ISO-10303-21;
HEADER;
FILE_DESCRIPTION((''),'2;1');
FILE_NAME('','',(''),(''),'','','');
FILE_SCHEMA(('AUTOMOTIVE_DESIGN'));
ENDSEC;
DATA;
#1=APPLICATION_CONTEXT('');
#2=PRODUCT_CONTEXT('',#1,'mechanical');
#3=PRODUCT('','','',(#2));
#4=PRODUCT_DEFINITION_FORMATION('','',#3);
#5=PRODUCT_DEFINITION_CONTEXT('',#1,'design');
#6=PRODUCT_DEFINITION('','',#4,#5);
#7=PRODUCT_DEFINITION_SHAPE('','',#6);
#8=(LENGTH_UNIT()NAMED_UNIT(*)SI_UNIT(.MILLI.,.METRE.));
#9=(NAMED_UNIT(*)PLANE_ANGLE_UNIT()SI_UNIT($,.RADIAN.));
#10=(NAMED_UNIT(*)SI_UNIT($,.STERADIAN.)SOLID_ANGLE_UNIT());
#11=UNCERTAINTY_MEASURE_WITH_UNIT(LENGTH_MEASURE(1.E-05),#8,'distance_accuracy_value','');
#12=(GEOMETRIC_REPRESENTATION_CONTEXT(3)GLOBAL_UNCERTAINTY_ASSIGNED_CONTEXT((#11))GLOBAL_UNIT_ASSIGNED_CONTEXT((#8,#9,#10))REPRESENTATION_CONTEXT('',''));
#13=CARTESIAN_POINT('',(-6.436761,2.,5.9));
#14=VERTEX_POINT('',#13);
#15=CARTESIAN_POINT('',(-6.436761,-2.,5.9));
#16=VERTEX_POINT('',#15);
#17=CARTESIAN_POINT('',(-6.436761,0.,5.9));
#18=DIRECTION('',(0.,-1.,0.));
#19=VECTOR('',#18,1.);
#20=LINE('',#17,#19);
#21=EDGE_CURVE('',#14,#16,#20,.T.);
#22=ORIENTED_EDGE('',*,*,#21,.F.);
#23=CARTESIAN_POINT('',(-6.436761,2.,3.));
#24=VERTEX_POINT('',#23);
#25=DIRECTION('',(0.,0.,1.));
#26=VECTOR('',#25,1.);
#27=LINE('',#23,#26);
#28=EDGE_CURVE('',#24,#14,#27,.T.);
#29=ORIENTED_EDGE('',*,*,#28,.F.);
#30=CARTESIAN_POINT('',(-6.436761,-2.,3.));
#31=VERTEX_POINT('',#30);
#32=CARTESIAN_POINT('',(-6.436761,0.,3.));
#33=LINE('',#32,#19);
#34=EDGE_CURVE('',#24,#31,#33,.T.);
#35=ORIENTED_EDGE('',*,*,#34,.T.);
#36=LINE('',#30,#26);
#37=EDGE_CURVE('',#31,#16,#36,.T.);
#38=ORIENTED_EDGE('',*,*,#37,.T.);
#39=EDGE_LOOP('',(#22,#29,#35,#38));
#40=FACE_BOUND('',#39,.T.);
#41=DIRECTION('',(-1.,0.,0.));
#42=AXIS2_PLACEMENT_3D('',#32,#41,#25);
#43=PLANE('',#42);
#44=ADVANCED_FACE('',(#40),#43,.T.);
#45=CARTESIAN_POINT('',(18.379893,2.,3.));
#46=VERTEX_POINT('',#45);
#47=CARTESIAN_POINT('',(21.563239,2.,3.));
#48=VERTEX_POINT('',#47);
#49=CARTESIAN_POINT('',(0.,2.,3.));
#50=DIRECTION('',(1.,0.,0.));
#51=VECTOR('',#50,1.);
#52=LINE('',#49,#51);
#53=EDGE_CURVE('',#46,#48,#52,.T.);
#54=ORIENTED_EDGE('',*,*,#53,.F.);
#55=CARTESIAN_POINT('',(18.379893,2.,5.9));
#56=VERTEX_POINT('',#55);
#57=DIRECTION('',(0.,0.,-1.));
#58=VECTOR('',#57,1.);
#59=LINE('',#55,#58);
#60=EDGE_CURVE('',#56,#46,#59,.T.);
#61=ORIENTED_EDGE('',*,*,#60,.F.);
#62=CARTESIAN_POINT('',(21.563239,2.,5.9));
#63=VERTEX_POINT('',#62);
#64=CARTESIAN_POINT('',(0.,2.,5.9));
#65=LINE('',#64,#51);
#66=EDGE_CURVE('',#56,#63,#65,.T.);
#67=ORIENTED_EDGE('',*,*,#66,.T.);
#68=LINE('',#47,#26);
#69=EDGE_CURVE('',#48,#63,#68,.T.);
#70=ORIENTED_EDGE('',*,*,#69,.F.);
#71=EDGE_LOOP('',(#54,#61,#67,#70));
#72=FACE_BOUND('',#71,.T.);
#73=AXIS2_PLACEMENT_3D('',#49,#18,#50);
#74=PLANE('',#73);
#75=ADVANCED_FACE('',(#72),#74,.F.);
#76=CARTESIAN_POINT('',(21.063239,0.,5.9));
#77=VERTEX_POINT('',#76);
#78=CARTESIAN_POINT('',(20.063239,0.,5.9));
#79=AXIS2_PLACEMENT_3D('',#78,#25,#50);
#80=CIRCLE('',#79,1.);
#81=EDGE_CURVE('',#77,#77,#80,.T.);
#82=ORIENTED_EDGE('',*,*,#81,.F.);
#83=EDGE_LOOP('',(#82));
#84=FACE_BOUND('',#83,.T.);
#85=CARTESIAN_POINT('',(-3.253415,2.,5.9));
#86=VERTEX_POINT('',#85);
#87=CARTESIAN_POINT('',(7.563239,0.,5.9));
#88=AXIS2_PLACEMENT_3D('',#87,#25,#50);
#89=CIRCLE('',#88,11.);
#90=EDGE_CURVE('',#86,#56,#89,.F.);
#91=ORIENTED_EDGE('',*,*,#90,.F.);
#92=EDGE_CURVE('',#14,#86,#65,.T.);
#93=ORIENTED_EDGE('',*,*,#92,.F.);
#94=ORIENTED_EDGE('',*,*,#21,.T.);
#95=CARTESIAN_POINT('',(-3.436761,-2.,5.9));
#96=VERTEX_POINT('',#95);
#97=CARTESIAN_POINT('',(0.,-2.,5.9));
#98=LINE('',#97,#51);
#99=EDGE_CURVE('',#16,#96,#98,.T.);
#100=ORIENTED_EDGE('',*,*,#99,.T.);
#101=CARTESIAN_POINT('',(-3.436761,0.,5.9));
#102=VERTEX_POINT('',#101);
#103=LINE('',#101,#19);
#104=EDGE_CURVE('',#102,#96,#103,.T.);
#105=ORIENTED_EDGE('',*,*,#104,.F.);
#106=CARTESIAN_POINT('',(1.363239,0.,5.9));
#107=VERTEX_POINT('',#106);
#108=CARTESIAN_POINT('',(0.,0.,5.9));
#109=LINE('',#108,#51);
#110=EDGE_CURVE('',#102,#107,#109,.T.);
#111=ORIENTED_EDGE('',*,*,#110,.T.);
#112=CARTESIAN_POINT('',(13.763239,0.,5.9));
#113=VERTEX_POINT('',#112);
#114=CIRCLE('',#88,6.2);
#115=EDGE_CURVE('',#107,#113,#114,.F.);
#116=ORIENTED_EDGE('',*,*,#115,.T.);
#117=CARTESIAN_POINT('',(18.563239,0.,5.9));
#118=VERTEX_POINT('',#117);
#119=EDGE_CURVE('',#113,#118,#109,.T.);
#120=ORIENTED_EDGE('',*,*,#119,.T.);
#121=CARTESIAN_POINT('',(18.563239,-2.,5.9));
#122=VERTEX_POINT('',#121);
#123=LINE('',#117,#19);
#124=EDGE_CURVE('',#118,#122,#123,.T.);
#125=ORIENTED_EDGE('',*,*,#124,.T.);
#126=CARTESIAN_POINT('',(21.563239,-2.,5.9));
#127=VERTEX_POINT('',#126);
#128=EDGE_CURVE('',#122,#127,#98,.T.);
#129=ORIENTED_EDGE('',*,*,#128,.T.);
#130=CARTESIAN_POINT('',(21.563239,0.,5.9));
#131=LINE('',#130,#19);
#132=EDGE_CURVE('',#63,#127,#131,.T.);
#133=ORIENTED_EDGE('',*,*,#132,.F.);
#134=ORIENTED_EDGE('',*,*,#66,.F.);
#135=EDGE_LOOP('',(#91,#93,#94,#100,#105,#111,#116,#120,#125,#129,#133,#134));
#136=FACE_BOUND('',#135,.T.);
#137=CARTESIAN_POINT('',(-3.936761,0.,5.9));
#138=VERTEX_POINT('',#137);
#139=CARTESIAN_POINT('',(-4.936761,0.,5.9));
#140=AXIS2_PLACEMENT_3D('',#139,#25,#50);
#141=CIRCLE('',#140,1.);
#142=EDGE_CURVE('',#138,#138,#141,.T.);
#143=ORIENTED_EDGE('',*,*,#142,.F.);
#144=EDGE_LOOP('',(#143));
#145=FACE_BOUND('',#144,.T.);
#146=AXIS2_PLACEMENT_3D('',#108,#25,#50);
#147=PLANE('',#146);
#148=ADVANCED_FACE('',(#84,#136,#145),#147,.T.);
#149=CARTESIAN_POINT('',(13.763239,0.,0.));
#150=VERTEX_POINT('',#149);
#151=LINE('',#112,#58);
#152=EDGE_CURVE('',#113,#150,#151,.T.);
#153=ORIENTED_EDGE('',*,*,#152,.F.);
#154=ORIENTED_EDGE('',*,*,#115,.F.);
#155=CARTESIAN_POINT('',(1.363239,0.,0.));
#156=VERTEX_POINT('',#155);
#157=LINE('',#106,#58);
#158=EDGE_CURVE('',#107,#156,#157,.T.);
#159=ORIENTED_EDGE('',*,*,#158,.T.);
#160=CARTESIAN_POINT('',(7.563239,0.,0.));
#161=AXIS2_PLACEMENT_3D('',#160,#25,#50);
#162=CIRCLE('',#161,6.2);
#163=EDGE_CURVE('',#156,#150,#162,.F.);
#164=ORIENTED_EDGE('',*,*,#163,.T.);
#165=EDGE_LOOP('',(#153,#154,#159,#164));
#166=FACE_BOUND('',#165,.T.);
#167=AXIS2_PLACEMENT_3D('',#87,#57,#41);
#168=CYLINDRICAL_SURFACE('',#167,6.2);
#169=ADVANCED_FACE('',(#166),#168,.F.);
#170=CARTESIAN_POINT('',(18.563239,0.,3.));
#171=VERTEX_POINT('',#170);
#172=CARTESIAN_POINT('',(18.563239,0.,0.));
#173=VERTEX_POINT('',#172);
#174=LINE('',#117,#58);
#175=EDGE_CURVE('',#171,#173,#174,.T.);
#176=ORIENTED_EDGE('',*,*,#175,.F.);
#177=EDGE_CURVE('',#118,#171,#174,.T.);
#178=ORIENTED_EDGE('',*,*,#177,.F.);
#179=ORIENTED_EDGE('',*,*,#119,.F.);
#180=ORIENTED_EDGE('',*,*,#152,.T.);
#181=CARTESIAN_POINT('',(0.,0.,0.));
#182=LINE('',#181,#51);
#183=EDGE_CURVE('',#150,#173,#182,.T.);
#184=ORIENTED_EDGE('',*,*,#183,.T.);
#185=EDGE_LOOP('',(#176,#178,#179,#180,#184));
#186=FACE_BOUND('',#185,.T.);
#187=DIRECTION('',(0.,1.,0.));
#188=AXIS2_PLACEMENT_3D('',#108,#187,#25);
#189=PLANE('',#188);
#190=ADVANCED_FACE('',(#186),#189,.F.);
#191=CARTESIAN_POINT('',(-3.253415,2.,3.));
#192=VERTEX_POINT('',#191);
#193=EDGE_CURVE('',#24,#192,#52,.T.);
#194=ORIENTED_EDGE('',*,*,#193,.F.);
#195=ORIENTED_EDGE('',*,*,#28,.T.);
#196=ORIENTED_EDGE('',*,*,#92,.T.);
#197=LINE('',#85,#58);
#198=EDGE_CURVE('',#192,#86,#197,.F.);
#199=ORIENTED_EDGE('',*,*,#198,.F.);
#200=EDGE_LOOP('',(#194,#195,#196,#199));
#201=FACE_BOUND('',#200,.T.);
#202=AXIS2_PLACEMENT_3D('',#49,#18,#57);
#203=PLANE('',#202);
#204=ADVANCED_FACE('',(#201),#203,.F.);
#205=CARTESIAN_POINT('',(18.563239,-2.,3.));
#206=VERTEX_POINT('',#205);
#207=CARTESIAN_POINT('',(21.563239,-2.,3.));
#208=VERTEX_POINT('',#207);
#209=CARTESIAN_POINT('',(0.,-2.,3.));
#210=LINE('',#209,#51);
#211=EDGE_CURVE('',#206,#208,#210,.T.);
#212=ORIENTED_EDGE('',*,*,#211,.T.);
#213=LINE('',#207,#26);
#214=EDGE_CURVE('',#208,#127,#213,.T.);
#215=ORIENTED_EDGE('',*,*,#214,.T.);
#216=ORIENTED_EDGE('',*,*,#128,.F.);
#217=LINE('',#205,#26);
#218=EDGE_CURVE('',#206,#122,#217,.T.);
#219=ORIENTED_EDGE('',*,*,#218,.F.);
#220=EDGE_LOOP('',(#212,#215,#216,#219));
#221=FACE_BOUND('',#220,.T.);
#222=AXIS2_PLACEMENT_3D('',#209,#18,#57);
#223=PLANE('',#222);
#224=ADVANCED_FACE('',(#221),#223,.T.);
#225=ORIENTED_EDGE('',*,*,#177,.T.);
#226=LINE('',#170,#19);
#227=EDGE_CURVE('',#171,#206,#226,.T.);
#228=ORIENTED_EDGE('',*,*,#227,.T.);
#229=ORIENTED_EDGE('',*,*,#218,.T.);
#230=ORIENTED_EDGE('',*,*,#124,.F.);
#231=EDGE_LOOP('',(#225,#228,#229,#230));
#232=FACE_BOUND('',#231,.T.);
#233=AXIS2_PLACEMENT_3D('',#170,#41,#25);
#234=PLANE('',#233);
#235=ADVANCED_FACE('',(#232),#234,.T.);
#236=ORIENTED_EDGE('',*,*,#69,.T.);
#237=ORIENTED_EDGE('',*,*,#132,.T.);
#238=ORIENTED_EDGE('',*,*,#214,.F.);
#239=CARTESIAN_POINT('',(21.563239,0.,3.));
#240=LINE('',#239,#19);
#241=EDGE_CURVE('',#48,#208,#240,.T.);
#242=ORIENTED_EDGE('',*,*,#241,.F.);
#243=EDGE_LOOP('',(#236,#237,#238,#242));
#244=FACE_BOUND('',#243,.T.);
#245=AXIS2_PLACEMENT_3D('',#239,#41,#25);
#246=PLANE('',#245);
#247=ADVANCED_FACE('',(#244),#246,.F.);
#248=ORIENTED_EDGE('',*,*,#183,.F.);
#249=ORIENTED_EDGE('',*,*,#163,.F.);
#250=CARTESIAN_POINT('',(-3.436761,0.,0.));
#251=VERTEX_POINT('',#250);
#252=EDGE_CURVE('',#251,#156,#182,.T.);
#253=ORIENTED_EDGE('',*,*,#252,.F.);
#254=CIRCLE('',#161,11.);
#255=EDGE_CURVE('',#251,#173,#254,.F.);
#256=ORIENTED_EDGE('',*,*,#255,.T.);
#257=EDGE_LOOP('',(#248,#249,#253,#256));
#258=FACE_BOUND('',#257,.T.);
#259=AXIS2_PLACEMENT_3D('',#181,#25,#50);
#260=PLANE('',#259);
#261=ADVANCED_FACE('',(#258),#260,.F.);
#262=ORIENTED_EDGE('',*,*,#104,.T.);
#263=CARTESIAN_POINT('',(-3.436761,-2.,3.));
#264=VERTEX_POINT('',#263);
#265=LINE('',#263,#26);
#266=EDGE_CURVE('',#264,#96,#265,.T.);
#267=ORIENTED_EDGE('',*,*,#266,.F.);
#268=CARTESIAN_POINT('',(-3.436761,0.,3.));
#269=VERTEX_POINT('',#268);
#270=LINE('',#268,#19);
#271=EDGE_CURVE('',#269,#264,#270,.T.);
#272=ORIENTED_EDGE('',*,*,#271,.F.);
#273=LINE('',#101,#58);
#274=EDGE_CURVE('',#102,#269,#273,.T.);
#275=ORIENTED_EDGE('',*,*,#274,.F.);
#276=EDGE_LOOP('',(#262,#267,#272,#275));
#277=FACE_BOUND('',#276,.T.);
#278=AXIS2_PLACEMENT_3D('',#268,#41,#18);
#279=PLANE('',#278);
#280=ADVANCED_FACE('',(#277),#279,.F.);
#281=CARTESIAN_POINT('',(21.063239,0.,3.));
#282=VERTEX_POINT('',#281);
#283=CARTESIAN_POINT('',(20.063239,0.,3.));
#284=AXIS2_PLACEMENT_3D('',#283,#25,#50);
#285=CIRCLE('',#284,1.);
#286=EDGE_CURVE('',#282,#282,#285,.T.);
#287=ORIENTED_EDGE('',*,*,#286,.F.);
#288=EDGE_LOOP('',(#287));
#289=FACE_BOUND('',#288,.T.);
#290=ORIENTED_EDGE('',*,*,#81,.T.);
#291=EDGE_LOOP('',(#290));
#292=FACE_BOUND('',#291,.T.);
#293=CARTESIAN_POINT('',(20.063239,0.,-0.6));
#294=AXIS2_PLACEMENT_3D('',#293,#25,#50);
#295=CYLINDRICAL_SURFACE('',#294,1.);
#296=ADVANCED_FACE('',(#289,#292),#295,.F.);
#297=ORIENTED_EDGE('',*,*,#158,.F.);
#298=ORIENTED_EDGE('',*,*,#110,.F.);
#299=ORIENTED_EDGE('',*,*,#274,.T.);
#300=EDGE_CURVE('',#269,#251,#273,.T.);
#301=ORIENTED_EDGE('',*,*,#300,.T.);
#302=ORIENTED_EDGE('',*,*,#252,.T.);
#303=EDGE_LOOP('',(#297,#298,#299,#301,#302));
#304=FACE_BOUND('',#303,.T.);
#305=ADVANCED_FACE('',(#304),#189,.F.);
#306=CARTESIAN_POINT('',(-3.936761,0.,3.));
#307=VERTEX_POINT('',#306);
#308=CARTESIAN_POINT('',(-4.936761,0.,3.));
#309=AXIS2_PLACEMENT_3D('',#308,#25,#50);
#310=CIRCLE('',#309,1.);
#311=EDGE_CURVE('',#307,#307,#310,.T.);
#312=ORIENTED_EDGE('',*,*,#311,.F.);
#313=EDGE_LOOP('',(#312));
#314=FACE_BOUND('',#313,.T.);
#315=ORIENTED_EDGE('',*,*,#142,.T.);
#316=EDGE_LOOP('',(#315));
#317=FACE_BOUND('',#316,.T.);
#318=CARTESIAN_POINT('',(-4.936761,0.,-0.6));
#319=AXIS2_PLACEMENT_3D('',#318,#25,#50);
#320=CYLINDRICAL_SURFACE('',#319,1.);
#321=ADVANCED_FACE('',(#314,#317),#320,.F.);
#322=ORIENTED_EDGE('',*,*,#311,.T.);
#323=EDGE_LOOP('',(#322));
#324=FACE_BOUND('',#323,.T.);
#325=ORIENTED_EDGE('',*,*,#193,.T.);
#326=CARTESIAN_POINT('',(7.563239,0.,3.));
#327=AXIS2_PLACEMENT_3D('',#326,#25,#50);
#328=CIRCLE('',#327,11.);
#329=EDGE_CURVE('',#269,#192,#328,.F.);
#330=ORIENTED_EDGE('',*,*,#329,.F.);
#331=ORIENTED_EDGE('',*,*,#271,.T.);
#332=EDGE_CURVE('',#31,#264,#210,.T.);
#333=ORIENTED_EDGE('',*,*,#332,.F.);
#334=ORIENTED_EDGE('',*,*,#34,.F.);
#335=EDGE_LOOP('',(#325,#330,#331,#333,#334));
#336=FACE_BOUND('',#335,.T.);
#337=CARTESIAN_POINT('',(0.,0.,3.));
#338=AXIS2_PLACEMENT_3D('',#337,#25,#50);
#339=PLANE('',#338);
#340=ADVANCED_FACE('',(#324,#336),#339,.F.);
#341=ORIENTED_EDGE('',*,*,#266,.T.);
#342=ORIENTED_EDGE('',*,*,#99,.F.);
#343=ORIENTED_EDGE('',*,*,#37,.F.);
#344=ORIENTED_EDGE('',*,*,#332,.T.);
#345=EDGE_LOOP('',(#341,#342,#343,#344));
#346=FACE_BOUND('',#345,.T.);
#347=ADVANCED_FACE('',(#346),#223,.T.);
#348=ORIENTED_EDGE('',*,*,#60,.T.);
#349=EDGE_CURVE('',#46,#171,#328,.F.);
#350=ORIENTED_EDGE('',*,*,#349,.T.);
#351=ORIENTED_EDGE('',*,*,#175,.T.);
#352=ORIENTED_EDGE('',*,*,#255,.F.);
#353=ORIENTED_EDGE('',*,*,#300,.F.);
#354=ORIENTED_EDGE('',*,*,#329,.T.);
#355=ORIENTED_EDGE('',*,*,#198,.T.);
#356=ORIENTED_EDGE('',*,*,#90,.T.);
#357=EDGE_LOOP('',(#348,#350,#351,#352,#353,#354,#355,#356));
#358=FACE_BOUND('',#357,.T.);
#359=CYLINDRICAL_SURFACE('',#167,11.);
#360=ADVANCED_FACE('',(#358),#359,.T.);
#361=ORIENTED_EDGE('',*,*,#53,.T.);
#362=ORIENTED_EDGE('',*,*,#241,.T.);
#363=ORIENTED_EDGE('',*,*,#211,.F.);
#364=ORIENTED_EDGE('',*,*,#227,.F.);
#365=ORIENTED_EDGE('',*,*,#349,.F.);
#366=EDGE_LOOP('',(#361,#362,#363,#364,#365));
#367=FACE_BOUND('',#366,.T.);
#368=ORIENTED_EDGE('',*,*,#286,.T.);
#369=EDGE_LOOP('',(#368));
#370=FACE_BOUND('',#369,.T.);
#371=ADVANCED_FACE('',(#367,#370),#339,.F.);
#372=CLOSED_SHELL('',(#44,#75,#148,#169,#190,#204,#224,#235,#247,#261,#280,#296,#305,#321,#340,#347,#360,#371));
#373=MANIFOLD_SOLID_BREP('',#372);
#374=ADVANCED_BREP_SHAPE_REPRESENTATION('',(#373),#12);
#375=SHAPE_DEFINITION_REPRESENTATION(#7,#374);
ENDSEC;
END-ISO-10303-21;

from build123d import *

# Parameters (mm, degrees)
RESSALTO_EXTRUS_O1_DEPTH = 5.9
RESSALTO_EXTRUS_O2_DEPTH = 2.9
ESBO_O3_R                = 1
CORTE_EXTRUS_O1_DEPTH    = 6.5


with BuildPart() as part:
    # Esboço1 → Ressalto-extrusão1 (new body)
    with BuildSketch(Plane.XY):
        with BuildLine():
            ThreePointArc((18.563238972, 0), (7.563238972, 11), (-3.436761028, 0))
            Line((-3.436761028, 0), (1.363238972, 0))
            ThreePointArc((1.363238972, 0), (7.563238972, 6.2), (13.763238972, 0))
            Line((13.763238972, 0), (18.563238972, 0))
        make_face()
    extrude(amount=RESSALTO_EXTRUS_O1_DEPTH)

    # Esboço2 → Ressalto-extrusão2 (add)
    with BuildSketch(Plane.XY.offset(5.9)):
        with BuildLine():
            ThreePointArc((-3.436761028, 0), (-3.390828585, 1.004193186), (-3.253414854, 2))
            Line((-3.253414854, 2), (-6.436761028, 2))
            Line((-6.436761028, 2), (-6.436761028, -2))
            Line((-6.436761028, -2), (-3.436761028, -2))
            Line((-3.436761028, -2), (-3.436761028, 0))
        make_face()
        with BuildLine():
            Line((-0.436761028, 2), (-3.253414854, 2))
            ThreePointArc((-3.253414854, 2), (-3.390828585, 1.004193186), (-3.436761028, 0))
            Line((-3.436761028, 0), (-0.436761028, 0))
            Line((-0.436761028, 0), (-0.436761028, 2))
        make_face()
        with BuildLine():
            ThreePointArc((18.379892799, 2), (18.517306529, 1.004193186), (18.563238972, 0))
            Line((18.563238972, 0), (18.563238972, -2))
            Line((18.563238972, -2), (21.563238972, -2))
            Line((21.563238972, -2), (21.563238972, 2))
            Line((21.563238972, 2), (18.379892799, 2))
        make_face()
        with BuildLine():
            Line((15.563238972, 0), (18.563238972, 0))
            ThreePointArc((18.563238972, 0), (18.517306529, 1.004193186), (18.379892799, 2))
            Line((18.379892799, 2), (15.563238972, 2))
            Line((15.563238972, 2), (15.563238972, 0))
        make_face()
    extrude(amount=-RESSALTO_EXTRUS_O2_DEPTH)

    # Esboço3 → Corte-extrusão1 (cut)
    with BuildSketch(Plane.XY.offset(5.9)):
        with Locations((20.063238972, 0)):
            Circle(ESBO_O3_R)
        with Locations((-4.936761028, 0)):
            Circle(ESBO_O3_R)
    extrude(amount=-CORTE_EXTRUS_O1_DEPTH, mode=Mode.SUBTRACT)


solid = part.part
